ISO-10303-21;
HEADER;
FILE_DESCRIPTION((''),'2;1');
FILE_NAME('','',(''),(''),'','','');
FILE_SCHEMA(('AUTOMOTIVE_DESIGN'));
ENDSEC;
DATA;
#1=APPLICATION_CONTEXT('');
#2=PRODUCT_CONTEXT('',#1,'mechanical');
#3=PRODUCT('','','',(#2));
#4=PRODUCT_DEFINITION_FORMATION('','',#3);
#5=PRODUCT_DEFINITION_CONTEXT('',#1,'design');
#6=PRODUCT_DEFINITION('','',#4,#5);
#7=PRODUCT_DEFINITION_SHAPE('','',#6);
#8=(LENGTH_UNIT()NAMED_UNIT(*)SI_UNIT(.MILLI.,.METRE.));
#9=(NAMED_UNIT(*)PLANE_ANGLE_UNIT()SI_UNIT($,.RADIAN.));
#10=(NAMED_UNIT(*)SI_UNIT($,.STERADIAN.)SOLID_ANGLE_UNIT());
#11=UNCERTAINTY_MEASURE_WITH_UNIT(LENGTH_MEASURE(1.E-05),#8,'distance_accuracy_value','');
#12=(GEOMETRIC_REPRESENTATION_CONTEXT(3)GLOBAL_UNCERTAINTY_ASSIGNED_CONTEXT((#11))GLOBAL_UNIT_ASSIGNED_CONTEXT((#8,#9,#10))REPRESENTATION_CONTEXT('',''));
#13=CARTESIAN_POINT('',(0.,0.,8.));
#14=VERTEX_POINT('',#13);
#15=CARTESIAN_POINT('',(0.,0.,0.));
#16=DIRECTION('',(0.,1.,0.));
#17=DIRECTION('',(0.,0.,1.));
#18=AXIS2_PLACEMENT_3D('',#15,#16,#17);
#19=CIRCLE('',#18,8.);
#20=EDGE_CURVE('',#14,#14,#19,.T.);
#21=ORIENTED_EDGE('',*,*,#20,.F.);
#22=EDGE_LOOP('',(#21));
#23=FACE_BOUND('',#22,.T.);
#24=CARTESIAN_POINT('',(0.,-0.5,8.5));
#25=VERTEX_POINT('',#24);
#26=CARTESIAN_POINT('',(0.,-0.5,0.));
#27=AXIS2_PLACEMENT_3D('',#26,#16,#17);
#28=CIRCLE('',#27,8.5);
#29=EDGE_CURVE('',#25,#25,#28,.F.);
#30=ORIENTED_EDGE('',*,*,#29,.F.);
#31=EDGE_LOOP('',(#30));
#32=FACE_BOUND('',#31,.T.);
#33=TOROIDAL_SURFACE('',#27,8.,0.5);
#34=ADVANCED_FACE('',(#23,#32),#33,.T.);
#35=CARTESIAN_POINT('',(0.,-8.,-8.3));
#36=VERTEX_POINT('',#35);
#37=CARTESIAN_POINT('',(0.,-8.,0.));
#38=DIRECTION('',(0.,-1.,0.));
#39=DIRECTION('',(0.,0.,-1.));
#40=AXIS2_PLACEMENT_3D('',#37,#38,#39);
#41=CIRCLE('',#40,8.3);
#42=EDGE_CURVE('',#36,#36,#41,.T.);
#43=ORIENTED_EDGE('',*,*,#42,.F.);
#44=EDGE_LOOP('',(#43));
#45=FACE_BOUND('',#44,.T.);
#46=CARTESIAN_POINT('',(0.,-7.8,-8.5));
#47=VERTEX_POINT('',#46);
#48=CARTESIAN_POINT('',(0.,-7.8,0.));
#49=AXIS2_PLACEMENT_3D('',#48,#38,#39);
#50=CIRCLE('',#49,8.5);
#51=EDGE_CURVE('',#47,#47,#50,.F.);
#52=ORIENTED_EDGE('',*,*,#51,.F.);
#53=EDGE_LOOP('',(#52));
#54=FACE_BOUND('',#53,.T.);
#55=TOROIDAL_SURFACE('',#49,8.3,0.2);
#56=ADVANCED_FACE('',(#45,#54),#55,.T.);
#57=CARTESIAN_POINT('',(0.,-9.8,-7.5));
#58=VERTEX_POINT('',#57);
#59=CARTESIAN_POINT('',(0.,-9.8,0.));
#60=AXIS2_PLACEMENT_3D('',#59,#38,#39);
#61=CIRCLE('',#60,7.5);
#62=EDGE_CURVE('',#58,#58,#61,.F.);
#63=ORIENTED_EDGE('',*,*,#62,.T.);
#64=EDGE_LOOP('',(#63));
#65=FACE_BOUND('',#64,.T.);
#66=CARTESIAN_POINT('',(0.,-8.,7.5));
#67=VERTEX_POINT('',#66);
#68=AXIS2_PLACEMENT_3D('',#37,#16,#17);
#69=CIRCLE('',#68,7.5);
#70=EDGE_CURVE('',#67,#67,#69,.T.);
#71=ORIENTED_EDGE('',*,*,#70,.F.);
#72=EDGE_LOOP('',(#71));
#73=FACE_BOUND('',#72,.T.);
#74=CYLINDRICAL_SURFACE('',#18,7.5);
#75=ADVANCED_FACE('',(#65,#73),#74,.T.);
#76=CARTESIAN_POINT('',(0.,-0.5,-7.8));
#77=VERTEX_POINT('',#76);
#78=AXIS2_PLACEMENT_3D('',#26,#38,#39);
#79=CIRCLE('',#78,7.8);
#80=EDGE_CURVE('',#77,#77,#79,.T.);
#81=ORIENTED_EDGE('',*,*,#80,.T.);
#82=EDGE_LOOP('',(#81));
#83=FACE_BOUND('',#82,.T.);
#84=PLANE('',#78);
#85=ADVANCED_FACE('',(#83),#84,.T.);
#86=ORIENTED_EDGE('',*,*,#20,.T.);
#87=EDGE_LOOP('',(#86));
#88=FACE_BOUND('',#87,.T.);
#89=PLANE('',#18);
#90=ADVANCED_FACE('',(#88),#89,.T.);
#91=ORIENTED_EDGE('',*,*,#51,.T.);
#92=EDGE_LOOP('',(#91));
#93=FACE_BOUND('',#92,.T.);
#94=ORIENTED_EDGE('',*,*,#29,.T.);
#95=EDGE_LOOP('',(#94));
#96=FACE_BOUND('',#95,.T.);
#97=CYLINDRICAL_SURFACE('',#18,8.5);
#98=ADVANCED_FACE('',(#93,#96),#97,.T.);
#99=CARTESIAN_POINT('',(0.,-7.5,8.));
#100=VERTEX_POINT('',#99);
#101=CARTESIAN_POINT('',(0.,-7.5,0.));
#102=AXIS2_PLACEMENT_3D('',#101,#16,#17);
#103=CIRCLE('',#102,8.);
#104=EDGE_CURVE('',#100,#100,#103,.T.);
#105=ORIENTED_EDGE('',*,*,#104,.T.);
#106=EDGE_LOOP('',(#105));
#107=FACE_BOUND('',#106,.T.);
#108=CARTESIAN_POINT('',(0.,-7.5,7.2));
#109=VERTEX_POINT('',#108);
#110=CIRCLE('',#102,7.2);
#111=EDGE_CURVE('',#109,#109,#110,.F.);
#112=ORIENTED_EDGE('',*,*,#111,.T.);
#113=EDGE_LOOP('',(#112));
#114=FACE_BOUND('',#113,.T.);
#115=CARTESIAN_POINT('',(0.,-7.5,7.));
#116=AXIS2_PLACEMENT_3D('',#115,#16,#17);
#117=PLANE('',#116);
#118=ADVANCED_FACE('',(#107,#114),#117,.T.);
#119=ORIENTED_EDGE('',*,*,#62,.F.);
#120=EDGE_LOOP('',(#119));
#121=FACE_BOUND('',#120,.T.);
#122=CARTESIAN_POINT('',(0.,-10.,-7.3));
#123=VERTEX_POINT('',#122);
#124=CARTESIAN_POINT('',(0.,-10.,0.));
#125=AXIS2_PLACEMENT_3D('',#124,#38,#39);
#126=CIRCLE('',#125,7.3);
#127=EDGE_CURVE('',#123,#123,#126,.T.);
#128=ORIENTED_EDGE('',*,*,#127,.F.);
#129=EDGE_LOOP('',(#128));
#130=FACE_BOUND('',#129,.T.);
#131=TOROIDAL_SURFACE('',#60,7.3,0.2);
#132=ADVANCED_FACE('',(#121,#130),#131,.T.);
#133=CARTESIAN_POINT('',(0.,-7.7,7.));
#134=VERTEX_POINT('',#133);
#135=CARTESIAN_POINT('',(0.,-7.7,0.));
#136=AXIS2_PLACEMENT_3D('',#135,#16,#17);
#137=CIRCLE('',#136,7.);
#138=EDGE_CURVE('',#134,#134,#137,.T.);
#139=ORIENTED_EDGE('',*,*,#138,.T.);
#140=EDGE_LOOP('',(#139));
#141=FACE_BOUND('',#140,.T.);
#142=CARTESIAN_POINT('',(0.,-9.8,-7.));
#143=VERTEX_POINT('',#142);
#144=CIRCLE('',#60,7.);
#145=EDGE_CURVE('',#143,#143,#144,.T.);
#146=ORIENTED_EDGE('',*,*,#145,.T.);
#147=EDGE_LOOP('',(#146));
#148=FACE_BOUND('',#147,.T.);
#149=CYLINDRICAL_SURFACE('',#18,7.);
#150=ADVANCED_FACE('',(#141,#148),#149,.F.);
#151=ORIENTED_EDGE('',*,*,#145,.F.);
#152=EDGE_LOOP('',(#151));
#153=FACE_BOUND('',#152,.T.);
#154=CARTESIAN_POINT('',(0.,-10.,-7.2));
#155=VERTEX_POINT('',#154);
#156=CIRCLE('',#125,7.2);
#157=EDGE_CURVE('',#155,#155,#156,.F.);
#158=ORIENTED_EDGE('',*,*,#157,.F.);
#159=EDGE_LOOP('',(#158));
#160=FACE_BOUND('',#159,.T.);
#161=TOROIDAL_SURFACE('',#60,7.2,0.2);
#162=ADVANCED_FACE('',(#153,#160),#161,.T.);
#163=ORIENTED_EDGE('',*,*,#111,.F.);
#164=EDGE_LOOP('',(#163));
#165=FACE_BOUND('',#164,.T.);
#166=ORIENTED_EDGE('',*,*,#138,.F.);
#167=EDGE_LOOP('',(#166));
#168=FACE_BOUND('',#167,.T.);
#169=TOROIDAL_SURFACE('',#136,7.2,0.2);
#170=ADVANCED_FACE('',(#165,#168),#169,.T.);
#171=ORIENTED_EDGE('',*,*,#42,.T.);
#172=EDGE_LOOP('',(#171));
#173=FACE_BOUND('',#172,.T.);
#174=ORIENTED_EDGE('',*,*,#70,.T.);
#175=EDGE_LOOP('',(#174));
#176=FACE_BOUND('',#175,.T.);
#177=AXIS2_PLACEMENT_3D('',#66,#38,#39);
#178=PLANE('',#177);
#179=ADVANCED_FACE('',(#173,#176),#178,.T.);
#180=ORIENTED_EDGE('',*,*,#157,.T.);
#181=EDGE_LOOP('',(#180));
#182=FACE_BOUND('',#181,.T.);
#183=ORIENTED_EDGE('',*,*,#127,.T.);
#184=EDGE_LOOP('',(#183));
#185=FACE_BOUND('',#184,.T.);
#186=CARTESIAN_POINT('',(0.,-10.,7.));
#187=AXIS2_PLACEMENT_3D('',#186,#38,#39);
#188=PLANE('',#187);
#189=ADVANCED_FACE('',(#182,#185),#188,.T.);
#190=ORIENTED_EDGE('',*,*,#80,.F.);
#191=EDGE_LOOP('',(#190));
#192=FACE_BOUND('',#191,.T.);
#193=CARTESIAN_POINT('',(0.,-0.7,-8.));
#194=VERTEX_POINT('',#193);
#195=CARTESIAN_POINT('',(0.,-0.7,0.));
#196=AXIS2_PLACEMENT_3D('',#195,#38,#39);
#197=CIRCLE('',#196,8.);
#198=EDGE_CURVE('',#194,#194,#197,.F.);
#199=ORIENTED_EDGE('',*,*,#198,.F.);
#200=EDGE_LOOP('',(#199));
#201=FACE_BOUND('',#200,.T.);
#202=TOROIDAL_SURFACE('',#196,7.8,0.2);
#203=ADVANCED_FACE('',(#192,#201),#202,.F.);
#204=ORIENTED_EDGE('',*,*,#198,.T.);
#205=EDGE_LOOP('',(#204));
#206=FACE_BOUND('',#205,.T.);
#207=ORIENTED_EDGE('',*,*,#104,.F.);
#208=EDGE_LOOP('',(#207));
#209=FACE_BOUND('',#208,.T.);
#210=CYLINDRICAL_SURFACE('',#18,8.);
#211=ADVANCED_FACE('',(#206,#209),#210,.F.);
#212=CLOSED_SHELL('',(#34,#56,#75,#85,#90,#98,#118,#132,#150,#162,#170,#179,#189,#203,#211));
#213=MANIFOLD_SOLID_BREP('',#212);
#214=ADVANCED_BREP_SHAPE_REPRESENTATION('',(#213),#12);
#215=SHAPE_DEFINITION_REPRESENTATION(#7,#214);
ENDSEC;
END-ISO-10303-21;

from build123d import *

# Parameters (mm, degrees)
FILLET1_R = 0.5
FILLET2_R = 0.2


with BuildPart() as part:
    # Sketch1 → Revolve1 (revolve)
    with BuildSketch(Plane(origin=(0, 0, 0), x_dir=(0, 0, -1), z_dir=(1, 0, 0))):
        Polygon((0, 0), (-8.5, 0), (-8.5, -8), (-7.5, -8), (-7.5, -10), (-7, -10), (-7, -7.5), (-8, -7.5), (-8, -0.5), (0, -0.5), align=None)
    revolve(axis=Axis((0, 0, 0), (0, -1, 0)))

    # Fillet1
    fillet1_edges = [part.edges().sort_by_distance(p)[0] for p in [
        (0, 0, -8.5),
    ]]
    fillet(fillet1_edges, radius=FILLET1_R)

    # Fillet2
    fillet2_edges = [part.edges().sort_by_distance(p)[0] for p in [
        (0, -0.5, -8),
        (0, -8, -8.5),
        (0, -10, -7.5),
        (0, -10, -7),
        (0, -7.5, -7),
    ]]
    fillet(fillet2_edges, radius=FILLET2_R)


solid = part.part
